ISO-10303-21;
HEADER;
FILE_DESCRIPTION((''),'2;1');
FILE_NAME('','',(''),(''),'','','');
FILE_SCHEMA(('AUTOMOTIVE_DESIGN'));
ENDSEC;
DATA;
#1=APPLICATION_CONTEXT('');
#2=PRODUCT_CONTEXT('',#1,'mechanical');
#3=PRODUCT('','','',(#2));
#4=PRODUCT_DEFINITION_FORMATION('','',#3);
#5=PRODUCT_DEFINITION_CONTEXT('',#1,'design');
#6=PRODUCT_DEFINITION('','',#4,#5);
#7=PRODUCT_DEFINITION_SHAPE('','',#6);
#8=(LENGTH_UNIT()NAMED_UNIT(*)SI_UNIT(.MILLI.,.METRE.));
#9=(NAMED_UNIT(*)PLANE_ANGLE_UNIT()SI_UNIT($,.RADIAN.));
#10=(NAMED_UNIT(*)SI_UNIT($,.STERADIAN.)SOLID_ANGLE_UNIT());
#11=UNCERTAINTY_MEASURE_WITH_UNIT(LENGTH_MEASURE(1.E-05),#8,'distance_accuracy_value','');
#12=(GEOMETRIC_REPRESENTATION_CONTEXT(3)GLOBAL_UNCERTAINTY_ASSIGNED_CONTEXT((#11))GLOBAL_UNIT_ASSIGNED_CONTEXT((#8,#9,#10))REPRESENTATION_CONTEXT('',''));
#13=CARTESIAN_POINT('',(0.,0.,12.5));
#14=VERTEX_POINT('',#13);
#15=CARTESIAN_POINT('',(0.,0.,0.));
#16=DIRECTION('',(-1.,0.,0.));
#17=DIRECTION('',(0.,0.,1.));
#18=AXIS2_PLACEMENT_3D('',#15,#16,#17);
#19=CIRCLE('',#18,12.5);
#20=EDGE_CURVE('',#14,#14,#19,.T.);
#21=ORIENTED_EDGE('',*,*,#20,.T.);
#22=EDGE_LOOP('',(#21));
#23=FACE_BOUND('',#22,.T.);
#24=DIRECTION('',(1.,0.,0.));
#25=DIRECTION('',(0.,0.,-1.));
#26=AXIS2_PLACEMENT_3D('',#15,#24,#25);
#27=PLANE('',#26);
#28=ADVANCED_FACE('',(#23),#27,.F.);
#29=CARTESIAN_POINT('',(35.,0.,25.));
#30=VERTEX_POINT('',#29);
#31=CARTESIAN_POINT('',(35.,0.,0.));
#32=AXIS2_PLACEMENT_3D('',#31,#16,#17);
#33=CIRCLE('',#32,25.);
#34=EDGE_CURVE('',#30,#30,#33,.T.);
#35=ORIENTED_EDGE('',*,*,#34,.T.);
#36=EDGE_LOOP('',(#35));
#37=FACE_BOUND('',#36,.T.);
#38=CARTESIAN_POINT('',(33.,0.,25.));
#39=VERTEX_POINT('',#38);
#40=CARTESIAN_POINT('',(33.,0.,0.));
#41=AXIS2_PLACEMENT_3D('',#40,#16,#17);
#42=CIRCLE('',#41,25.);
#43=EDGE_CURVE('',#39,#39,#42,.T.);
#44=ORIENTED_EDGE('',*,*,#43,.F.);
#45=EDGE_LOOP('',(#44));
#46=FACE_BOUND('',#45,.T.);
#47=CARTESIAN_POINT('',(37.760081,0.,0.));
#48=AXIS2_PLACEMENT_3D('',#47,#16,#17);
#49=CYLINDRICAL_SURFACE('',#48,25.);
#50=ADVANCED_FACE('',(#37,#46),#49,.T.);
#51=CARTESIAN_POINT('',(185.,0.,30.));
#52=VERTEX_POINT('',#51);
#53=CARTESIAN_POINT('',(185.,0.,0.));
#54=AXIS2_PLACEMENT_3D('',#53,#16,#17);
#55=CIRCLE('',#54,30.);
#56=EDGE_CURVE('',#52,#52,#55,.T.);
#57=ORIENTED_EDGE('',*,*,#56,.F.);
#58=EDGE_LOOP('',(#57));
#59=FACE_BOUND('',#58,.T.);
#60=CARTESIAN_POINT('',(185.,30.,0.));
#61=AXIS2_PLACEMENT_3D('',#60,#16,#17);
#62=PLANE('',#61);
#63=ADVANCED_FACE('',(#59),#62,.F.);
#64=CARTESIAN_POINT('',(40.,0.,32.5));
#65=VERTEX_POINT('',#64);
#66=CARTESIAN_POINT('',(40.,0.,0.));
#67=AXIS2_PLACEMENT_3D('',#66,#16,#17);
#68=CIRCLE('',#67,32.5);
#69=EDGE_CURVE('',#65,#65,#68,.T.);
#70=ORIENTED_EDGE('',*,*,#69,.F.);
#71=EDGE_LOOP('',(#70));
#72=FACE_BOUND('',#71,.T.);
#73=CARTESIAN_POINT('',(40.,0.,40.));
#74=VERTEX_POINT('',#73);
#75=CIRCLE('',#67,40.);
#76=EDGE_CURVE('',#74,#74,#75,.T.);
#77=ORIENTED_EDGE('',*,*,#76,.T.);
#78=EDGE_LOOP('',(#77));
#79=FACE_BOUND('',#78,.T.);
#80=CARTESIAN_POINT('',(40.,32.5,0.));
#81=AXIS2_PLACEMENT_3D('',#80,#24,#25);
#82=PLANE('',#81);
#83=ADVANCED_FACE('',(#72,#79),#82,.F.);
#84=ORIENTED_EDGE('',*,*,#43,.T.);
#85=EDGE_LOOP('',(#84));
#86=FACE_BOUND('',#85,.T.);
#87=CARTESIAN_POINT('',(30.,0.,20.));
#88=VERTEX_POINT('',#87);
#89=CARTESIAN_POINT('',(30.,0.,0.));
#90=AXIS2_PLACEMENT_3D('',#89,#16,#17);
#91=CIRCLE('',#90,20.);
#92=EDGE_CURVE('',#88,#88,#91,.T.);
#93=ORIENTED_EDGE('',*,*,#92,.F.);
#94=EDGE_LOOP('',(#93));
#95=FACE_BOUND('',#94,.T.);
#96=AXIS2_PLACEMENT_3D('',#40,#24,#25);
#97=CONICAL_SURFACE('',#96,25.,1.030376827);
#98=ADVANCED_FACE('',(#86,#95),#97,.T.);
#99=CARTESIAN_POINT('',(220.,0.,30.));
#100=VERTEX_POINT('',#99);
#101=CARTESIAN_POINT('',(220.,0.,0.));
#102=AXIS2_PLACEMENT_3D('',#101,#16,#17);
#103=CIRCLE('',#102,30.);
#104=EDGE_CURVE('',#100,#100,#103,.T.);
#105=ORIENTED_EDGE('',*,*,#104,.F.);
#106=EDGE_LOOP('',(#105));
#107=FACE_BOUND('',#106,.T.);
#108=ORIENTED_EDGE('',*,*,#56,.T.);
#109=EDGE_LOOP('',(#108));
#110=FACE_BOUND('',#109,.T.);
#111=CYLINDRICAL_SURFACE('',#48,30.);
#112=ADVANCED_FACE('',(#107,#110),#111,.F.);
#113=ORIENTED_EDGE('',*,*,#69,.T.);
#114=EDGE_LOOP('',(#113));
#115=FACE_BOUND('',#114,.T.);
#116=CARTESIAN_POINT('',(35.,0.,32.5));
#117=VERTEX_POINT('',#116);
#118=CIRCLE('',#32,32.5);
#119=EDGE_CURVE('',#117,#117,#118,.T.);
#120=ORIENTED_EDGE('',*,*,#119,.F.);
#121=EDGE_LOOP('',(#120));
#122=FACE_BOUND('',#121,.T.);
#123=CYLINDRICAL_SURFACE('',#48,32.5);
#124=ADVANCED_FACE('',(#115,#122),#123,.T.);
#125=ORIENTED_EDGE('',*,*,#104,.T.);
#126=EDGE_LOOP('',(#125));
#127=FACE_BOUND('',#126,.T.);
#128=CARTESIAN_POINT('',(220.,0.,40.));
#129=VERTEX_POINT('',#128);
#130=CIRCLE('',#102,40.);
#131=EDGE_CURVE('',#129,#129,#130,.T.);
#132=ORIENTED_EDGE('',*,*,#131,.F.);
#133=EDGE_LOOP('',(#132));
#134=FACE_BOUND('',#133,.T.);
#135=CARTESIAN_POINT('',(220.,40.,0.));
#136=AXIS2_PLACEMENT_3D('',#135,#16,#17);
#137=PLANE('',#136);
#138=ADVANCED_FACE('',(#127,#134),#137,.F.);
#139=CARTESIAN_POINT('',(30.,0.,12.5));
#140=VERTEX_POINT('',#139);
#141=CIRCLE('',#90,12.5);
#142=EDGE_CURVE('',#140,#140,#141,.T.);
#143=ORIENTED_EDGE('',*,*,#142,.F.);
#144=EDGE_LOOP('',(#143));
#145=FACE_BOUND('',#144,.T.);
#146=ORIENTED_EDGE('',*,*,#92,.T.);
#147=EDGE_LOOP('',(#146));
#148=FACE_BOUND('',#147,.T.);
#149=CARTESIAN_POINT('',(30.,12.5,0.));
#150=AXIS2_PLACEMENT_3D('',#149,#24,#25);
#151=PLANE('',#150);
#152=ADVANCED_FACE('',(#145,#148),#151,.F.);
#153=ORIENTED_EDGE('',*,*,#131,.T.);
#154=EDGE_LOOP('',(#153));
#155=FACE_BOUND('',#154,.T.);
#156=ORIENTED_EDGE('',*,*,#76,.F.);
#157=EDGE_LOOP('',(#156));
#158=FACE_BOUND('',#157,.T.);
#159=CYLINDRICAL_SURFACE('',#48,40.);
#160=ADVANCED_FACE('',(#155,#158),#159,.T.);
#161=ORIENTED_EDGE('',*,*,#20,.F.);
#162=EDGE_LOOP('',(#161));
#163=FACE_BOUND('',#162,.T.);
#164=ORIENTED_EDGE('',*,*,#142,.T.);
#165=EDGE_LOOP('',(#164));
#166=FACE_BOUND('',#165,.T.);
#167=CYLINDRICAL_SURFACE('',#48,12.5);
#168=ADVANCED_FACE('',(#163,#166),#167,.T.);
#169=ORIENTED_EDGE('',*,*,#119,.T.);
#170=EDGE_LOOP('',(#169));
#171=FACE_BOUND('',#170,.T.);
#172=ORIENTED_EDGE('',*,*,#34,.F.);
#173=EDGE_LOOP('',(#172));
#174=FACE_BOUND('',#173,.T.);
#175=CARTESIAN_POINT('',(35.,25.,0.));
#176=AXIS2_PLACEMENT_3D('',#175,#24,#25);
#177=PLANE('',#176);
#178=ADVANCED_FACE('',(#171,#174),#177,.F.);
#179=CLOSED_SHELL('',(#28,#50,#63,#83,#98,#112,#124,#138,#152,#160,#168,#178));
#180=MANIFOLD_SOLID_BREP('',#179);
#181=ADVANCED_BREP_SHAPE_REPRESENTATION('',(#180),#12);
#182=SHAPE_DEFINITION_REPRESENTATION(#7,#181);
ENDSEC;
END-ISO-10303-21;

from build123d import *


with BuildPart() as part:
    # Sketch2 → Revolve1 (revolve)
    with BuildSketch(Plane.XY):
        Polygon((0, 0), (0, 12.5), (30, 12.5), (30, 20), (33, 25), (35, 25), (35, 32.5), (40, 32.5), (40, 40), (220, 40), (220, 30), (185, 30), (185, 0), align=None)
    revolve(axis=Axis((37.760080772, 0, 0), (1, 0, 0)))


solid = part.part
